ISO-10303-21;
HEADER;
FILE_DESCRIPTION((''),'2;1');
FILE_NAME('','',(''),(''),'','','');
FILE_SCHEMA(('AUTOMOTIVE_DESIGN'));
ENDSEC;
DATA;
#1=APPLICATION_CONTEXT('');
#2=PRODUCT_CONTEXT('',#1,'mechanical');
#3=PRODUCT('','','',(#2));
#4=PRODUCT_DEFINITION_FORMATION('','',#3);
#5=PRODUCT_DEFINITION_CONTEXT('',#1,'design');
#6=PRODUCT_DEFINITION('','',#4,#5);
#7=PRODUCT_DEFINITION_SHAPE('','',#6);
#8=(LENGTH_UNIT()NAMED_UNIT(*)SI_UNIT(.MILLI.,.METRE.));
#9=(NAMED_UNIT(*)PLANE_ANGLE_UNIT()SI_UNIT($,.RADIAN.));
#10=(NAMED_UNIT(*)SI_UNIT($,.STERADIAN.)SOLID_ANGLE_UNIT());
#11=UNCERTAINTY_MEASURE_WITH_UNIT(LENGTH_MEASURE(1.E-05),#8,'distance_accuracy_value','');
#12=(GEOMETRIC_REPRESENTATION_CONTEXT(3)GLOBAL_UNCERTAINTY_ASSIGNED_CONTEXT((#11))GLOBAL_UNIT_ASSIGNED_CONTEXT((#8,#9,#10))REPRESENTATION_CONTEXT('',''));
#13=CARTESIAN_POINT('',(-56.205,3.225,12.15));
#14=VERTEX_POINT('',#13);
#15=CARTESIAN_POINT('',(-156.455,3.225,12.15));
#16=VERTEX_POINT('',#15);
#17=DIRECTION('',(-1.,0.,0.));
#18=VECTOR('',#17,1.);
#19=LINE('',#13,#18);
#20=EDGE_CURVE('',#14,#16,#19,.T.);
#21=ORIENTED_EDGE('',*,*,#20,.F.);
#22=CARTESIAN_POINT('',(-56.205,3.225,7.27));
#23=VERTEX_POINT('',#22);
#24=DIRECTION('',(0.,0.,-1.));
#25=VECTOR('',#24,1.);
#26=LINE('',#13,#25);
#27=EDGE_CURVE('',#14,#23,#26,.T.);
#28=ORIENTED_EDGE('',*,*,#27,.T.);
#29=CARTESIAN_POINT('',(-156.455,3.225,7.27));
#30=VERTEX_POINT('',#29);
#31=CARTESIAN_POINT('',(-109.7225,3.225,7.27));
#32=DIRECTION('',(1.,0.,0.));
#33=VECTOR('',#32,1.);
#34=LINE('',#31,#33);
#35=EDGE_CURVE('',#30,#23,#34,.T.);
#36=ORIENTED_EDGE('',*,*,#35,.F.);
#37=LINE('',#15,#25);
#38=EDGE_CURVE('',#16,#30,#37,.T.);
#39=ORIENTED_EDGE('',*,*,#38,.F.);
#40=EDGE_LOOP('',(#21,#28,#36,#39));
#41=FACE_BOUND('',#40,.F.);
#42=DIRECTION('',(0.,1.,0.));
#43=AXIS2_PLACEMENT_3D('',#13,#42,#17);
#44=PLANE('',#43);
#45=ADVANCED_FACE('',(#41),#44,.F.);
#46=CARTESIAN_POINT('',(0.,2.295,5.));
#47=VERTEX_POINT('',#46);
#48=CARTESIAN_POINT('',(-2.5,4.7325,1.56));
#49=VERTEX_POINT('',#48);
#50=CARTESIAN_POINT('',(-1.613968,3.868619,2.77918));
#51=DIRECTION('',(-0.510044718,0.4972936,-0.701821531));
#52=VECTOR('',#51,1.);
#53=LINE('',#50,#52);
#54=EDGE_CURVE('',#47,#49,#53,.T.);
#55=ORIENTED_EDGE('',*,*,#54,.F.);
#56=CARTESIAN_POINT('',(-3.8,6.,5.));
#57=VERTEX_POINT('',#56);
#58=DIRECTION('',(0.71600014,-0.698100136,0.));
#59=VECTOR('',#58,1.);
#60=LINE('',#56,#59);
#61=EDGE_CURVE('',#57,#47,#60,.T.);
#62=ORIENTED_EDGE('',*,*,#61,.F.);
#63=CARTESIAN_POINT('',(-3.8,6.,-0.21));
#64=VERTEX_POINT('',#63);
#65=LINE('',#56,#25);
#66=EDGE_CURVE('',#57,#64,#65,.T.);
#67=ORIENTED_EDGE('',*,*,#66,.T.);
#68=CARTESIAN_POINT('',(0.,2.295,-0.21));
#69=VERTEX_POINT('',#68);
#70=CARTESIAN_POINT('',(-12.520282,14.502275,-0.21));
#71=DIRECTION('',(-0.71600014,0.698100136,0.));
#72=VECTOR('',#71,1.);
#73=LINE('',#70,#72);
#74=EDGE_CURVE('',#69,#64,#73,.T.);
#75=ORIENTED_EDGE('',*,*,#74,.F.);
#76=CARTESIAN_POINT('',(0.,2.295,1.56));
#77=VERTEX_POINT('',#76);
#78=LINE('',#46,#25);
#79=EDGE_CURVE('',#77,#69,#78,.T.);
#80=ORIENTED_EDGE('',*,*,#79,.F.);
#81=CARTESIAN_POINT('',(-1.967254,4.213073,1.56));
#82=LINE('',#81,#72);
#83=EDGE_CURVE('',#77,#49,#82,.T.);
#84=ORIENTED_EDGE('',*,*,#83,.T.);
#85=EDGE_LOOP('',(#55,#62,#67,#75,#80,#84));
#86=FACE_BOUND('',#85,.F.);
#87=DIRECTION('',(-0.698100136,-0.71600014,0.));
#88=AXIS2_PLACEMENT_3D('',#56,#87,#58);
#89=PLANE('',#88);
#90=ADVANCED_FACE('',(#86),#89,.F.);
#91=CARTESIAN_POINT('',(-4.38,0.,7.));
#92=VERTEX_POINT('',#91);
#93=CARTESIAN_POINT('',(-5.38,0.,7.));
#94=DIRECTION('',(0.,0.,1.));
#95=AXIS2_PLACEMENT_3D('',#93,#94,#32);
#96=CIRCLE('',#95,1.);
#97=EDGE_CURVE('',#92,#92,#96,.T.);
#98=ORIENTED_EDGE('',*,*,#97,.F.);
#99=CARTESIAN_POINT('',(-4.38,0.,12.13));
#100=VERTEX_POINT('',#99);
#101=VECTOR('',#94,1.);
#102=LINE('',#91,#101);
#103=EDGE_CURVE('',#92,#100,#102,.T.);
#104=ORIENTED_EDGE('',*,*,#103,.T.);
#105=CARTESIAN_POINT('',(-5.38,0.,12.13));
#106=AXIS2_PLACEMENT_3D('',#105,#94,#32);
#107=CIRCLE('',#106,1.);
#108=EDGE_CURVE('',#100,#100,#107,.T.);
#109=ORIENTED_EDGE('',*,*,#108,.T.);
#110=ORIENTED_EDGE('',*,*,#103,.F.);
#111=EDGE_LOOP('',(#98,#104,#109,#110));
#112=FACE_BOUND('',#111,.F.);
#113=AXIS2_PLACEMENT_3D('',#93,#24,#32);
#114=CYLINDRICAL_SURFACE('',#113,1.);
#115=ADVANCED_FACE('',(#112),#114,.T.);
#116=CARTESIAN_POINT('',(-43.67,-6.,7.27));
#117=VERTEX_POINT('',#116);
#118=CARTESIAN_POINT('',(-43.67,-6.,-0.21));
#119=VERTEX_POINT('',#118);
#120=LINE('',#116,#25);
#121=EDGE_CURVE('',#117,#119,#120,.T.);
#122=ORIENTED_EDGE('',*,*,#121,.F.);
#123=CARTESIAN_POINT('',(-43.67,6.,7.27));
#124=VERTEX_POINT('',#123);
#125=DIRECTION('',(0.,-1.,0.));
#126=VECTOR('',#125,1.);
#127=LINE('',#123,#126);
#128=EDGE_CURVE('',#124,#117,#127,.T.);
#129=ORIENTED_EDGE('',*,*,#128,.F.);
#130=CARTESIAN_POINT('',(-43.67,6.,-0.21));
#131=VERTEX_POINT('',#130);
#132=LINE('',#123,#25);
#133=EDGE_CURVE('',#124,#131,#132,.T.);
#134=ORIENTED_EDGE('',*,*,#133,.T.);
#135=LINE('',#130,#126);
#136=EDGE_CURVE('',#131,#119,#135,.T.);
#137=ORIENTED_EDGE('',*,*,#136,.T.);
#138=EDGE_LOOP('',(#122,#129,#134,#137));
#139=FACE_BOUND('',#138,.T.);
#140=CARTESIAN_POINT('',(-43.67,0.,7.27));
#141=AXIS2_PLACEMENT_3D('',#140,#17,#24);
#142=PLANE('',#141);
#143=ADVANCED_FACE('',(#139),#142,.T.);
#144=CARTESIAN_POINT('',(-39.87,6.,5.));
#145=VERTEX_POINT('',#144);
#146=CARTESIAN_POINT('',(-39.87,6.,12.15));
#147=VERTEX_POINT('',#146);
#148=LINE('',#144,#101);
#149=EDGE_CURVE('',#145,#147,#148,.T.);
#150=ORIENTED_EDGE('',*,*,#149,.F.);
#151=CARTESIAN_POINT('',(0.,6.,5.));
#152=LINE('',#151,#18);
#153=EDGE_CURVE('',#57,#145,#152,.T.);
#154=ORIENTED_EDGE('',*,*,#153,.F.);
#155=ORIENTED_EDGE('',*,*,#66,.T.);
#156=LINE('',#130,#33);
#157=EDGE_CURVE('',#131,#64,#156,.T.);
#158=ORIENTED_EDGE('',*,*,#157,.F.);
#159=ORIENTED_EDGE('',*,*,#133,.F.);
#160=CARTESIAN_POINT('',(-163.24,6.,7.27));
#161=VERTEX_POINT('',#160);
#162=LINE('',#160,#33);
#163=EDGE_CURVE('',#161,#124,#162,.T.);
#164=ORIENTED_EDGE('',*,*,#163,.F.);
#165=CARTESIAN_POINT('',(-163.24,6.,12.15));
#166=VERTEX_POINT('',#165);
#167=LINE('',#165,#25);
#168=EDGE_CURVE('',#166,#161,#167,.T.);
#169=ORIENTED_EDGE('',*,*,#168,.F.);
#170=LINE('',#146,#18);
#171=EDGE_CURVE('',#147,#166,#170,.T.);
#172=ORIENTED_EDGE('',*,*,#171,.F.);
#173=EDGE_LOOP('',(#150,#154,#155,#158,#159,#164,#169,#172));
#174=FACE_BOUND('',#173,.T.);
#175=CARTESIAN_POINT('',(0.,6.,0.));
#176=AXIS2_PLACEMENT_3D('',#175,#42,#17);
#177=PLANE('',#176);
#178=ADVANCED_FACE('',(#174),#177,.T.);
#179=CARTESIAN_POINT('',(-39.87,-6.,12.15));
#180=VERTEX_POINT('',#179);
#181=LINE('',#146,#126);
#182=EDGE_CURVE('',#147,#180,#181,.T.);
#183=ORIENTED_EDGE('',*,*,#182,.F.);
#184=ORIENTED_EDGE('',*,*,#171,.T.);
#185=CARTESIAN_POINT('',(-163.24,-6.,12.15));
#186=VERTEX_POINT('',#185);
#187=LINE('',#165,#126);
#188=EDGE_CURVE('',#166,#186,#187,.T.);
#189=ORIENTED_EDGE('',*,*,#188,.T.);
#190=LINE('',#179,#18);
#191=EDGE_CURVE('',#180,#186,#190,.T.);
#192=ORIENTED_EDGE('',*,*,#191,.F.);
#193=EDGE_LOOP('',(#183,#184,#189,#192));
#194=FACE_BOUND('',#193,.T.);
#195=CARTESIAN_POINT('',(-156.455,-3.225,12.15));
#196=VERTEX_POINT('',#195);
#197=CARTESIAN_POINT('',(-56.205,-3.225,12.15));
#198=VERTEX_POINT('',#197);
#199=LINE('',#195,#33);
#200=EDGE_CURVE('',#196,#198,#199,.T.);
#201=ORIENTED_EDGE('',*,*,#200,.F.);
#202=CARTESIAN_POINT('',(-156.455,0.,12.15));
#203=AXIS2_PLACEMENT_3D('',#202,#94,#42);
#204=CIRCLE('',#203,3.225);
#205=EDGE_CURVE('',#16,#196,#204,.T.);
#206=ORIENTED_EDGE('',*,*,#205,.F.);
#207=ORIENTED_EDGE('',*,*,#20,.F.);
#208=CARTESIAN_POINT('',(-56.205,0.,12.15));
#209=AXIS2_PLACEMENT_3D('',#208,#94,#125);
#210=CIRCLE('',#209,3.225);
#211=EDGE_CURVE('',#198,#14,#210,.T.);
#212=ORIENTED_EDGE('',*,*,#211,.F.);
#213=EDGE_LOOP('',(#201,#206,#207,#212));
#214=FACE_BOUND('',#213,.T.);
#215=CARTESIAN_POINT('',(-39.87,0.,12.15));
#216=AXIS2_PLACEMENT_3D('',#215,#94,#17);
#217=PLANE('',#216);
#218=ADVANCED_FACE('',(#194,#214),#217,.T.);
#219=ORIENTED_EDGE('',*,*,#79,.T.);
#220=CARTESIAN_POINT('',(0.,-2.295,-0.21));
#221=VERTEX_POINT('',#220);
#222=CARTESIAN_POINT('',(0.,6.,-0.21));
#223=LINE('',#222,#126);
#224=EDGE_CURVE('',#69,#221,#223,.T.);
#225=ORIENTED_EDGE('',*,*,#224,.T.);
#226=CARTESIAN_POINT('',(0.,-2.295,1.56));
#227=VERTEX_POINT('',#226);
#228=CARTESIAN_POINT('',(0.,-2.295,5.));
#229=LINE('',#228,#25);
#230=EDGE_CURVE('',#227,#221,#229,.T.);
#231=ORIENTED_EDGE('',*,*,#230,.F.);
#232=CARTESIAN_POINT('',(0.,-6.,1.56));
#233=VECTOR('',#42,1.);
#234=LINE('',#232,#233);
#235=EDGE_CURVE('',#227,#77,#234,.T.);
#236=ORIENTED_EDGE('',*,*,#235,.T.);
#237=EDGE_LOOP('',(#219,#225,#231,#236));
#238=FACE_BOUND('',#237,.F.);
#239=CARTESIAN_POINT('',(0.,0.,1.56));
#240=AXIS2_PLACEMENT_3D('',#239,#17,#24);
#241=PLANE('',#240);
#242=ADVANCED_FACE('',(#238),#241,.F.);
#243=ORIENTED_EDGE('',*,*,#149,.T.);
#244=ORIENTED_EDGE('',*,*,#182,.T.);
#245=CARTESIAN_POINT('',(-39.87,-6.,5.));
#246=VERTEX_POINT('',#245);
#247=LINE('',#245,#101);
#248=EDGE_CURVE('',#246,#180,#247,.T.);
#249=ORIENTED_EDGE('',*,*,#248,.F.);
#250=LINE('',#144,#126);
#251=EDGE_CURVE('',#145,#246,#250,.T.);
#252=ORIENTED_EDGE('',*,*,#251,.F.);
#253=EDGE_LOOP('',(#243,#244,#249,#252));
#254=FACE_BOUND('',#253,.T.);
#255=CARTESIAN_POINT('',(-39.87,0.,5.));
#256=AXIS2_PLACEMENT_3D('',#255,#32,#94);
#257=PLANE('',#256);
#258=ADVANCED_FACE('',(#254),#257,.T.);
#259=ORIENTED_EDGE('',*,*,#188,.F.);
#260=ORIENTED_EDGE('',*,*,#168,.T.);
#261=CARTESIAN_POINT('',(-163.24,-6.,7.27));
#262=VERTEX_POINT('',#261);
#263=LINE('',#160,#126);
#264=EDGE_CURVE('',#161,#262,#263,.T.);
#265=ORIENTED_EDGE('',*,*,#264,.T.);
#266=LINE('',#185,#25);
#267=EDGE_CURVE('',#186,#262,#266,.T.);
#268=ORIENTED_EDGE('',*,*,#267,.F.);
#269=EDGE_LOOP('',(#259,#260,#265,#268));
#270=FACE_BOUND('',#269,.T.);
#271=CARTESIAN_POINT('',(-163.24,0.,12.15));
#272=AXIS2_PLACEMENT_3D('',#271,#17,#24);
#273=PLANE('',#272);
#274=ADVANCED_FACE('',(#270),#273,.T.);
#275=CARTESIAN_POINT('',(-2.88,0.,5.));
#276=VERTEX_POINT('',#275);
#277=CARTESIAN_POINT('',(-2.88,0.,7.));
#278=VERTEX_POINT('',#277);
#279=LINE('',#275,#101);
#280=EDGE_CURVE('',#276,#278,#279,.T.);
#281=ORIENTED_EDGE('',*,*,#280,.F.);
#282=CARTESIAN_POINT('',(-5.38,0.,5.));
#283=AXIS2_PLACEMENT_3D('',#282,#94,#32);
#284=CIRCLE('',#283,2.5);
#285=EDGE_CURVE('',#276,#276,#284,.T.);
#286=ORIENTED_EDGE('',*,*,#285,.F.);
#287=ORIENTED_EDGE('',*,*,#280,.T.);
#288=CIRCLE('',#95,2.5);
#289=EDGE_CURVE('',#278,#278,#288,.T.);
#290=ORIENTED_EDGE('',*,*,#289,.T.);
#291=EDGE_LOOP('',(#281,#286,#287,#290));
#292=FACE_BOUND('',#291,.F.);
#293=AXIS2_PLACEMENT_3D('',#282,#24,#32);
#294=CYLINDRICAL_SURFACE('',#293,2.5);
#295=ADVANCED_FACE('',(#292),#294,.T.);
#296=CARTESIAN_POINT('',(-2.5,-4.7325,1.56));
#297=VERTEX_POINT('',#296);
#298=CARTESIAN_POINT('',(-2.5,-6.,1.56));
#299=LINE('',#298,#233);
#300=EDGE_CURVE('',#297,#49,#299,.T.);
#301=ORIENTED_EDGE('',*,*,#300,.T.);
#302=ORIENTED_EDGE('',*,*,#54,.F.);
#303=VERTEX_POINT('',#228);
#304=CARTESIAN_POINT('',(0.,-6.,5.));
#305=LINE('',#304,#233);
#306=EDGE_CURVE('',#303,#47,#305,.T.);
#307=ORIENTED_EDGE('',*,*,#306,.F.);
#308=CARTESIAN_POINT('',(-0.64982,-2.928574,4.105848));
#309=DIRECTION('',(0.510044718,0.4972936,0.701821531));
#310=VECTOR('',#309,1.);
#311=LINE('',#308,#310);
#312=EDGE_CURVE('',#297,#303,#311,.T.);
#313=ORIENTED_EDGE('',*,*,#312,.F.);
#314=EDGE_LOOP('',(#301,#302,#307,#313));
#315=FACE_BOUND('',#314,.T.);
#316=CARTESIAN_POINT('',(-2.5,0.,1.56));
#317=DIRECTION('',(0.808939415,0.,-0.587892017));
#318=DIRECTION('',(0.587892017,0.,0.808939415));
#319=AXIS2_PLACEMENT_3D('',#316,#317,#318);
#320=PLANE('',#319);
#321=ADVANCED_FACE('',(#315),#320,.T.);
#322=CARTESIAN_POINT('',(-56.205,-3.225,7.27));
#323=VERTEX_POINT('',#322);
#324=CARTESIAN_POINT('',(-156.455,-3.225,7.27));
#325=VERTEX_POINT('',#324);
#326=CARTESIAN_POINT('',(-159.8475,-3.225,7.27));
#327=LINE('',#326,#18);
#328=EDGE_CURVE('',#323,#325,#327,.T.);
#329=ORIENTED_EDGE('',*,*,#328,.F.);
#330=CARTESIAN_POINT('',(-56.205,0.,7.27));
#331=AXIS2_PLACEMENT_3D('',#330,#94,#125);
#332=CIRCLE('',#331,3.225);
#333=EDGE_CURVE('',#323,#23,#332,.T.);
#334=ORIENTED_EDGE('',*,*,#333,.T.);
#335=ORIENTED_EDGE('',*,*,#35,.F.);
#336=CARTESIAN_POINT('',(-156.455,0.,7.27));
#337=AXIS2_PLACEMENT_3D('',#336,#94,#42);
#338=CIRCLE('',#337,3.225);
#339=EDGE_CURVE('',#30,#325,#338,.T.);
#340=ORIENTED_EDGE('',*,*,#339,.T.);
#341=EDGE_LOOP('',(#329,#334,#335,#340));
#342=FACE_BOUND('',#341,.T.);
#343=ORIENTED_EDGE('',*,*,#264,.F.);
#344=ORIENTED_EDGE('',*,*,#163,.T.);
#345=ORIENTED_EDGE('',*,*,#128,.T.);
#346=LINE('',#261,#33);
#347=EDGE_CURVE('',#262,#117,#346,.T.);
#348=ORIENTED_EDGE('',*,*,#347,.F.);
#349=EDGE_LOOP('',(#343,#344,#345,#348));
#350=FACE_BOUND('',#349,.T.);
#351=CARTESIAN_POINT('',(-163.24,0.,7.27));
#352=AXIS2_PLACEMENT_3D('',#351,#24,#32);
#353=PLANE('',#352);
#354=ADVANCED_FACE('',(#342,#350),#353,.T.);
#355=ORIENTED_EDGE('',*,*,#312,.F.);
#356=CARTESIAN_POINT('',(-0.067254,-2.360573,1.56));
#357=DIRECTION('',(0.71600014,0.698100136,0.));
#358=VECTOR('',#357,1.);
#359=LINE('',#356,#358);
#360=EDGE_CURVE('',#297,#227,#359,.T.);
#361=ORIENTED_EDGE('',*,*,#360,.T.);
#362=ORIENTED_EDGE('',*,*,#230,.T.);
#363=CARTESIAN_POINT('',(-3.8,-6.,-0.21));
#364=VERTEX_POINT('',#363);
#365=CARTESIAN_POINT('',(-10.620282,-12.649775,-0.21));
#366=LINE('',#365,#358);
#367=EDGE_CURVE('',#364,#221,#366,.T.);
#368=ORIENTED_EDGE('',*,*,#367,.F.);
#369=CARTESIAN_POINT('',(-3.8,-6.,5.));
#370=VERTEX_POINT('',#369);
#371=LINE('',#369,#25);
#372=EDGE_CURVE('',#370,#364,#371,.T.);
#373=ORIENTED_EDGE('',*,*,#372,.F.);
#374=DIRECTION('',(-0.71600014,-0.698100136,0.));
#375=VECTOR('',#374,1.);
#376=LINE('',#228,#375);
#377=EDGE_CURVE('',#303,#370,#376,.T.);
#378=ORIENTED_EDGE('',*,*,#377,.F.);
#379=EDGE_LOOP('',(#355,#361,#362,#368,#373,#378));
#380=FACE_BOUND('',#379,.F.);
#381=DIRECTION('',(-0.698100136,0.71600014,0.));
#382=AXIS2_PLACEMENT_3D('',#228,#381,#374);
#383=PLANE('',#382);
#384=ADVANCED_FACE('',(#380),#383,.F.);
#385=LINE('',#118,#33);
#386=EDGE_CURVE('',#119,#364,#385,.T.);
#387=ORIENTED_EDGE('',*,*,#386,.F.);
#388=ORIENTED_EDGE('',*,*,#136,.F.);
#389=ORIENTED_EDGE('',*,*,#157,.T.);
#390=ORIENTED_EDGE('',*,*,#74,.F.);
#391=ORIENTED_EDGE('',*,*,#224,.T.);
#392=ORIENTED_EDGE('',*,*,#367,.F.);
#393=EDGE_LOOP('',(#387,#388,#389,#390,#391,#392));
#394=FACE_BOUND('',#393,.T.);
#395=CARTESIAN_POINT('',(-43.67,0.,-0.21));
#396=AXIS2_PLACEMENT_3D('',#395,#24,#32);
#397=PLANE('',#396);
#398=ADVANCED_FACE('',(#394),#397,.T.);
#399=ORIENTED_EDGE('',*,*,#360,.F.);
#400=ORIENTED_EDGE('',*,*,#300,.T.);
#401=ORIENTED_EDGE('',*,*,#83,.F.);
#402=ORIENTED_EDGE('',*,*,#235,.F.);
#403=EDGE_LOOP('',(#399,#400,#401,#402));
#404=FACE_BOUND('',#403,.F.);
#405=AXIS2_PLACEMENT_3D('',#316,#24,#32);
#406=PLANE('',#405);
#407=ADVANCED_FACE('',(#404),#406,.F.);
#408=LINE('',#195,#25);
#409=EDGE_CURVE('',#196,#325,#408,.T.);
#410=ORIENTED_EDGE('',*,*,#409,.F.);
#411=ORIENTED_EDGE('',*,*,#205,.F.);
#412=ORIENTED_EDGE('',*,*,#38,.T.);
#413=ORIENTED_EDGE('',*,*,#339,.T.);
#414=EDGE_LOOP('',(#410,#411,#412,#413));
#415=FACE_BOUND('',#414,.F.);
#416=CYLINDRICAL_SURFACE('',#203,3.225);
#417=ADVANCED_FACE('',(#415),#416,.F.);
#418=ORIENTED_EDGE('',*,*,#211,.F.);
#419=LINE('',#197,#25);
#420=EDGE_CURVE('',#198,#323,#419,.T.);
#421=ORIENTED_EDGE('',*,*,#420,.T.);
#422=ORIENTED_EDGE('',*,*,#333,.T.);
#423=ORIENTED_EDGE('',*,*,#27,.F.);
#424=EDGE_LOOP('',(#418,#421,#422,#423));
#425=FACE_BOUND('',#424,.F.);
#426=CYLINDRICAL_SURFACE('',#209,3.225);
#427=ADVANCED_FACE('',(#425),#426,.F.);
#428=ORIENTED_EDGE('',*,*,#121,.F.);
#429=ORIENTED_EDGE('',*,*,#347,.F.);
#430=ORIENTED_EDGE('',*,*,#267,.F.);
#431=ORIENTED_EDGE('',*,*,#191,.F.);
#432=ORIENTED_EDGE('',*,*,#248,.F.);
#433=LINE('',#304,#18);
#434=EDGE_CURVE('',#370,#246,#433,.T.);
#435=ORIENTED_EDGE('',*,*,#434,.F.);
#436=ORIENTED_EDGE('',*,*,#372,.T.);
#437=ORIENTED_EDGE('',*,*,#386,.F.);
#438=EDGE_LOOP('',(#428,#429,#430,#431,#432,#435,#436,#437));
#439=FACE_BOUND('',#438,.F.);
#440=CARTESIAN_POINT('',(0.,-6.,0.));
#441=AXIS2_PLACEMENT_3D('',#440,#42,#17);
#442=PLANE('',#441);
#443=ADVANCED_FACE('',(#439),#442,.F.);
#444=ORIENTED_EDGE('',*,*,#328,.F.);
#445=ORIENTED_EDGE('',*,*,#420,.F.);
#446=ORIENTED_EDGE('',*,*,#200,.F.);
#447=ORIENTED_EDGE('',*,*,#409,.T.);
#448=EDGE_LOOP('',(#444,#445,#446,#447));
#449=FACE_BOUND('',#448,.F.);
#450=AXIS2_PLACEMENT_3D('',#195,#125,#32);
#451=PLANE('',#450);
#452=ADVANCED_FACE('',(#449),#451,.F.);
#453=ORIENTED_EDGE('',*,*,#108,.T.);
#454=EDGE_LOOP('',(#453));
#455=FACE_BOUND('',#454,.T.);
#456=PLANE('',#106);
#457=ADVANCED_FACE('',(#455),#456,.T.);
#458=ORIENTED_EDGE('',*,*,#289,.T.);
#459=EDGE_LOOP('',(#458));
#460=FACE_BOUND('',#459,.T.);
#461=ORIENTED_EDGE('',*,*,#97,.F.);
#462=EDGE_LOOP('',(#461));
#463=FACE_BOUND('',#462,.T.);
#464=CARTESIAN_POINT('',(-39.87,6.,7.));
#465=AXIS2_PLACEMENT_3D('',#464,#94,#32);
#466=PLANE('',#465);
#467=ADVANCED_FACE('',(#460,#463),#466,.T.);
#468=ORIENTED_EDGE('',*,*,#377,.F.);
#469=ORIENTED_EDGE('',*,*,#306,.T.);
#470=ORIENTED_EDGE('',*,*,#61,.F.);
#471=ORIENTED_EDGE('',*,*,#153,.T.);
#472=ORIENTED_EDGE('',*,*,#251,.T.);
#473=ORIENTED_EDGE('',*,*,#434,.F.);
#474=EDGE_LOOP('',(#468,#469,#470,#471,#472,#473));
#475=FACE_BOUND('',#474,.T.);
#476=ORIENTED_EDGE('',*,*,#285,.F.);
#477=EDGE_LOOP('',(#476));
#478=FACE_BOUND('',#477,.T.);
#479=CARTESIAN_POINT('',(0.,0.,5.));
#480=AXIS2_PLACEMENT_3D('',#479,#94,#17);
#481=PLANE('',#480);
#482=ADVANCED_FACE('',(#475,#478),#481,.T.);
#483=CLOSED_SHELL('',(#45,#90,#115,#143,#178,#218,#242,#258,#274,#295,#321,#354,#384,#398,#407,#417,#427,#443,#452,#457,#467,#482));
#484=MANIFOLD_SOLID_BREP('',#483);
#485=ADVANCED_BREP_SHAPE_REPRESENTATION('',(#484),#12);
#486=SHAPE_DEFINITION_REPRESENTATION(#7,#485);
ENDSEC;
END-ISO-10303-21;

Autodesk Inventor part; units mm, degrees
ref_plane "YZ Plane" through (0, 0, 0) normal (1, 0, 0) x (0, 1, 0)
sketch "Esboço1" plane through (0, 0, 0) normal (0, 1, 0) x (-1, 0, 0)
  line L0 (0, 5) -> (39.87, 5)
  line L1 (39.87, 5) -> (39.87, 12.15)
  line L2 (39.87, 12.15) -> (163.24, 12.15)
  line L3 (163.24, 12.15) -> (163.24, 7.27)
  line L4 (163.24, 7.27) -> (43.67, 7.27)
  line L5 (43.67, 7.27) -> (43.67, -0.21)
  line L6 (43.67, -0.21) -> (0, -0.21)
  line L7 (0, 5) -> (2.5, 5) construction
  line L8 (2.5, 5) -> (2.5, 1.56) construction
  line L9 (2.5, 1.56) -> (0, 1.56) construction
  line L10 (2.5, 1.56) -> (0, 5)
  line L11 (2.5, 1.56) -> (0, 1.56)
  line L12 (0, 1.56) -> (0, -0.21)
  point P0 (0, 0)
  dimension "d0" = 39.87
  dimension "d1" = 7.15
  dimension "d2" = 123.37
  dimension "d3" = 4.88
  dimension "d4" = 119.57
  dimension "d5" = 7.48
  dimension "d6" = 2.5
  dimension "d7" = 3.44
  dimension "d8" = 5.21
extrude "Extrusão1" add sketch "Esboço1" along normal mid plane 12
ref_plane "Plano de trabalho1" through (-163.24, 6, 12.15) normal (0, 0, 1) x (1, 0, 0)
ref_plane "Plano de trabalho2" through (-39.87, 6, 5) normal (0, 0, 1) x (1, 0, 0)
sketch "Esboço2" plane through (-163.24, 6, 12.15) normal (0, 0, 1) x (1, 0, 0)
  line L0 (123.37, 0) -> (123.37, -12) construction
  line L1 (123.37, -6) -> (110.26, -6) construction
  line L2 (0, 0) -> (0, -12) construction
  line L3 (0, -6) -> (3.56, -6) construction
  line L4 (110.26, -6) -> (0, -6) construction
  line L5 (3.56, -6) -> (110.26, -6) construction
  line L6 (6.785, -9.225) -> (107.035, -9.225)
  line L7 (107.035, -2.775) -> (6.785, -2.775)
  arc A0 (6.785, -2.775) -> (6.785, -9.225) centre (6.785, -6) ccw
  arc A1 (107.035, -9.225) -> (107.035, -2.775) centre (107.035, -6) ccw
  point P0 (163.24, -6)
  point P1 (55.13, -6)
  point P2 (56.91, -6)
  dimension "d13" = 13.11
  dimension "d14" = 3.56
  dimension "d16" = 6.45
extrude "Extrusão2" cut sketch "Esboço2" against normal blind 12
sketch "Esboço3" plane through (-39.87, 6, 5) normal (0, 0, 1) x (1, 0, 0)
  line L0 (-3.8, -12) -> (39.87, -12) construction
  line L1 (39.87, -12) -> (36.07, -12) construction
  line L2 (36.07, -12) -> (36.07, 0) construction
  line L3 (39.87, 0) -> (-3.8, 0) construction
  line L4 (39.87, -6) -> (39.87, -3.705) construction
  line L5 (39.87, 0) -> (39.87, -12) construction
  line L6 (39.87, -6) -> (39.87, -8.295) construction
  line L7 (39.87, -8.295) -> (36.07, -12)
  line L8 (39.87, -12) -> (36.07, -12)
  line L9 (39.87, -8.295) -> (39.87, -12)
  line L10 (36.07, 0) -> (39.87, -3.705)
  line L11 (39.87, 0) -> (39.87, -3.705)
  line L12 (39.87, 0) -> (36.07, 0)
  dimension "d19" = 3.8
  dimension "d20" = 2.295
  dimension "d21" = 2.295
extrude "Extrusão3" cut sketch "Esboço3" against normal blind 12
sketch "Esboço4" plane through (-39.87, 6, 5) normal (0, 0, 1) x (1, 0, 0)
  line L0 (39.87, -6) -> (34.49, -6) construction
  circle A0 centre (34.49, -6) radius 2.5
  dimension "d24" = 5.38
  dimension "d25" = 5
extrude "Extrusão4" add sketch "Esboço4" along normal blind 2
sketch "Esboço5" plane through (-5.38, 0, 7) normal (0, 0, 1) x (1, 0, 0)
  circle A0 centre (0, 0) radius 1
  point P0 (5.38, 0)
  dimension "d28" = 2
extrude "Extrusão5" add sketch "Esboço5" along normal blind 5.13
properties part number "pinças" material "Alumínio 6061"
